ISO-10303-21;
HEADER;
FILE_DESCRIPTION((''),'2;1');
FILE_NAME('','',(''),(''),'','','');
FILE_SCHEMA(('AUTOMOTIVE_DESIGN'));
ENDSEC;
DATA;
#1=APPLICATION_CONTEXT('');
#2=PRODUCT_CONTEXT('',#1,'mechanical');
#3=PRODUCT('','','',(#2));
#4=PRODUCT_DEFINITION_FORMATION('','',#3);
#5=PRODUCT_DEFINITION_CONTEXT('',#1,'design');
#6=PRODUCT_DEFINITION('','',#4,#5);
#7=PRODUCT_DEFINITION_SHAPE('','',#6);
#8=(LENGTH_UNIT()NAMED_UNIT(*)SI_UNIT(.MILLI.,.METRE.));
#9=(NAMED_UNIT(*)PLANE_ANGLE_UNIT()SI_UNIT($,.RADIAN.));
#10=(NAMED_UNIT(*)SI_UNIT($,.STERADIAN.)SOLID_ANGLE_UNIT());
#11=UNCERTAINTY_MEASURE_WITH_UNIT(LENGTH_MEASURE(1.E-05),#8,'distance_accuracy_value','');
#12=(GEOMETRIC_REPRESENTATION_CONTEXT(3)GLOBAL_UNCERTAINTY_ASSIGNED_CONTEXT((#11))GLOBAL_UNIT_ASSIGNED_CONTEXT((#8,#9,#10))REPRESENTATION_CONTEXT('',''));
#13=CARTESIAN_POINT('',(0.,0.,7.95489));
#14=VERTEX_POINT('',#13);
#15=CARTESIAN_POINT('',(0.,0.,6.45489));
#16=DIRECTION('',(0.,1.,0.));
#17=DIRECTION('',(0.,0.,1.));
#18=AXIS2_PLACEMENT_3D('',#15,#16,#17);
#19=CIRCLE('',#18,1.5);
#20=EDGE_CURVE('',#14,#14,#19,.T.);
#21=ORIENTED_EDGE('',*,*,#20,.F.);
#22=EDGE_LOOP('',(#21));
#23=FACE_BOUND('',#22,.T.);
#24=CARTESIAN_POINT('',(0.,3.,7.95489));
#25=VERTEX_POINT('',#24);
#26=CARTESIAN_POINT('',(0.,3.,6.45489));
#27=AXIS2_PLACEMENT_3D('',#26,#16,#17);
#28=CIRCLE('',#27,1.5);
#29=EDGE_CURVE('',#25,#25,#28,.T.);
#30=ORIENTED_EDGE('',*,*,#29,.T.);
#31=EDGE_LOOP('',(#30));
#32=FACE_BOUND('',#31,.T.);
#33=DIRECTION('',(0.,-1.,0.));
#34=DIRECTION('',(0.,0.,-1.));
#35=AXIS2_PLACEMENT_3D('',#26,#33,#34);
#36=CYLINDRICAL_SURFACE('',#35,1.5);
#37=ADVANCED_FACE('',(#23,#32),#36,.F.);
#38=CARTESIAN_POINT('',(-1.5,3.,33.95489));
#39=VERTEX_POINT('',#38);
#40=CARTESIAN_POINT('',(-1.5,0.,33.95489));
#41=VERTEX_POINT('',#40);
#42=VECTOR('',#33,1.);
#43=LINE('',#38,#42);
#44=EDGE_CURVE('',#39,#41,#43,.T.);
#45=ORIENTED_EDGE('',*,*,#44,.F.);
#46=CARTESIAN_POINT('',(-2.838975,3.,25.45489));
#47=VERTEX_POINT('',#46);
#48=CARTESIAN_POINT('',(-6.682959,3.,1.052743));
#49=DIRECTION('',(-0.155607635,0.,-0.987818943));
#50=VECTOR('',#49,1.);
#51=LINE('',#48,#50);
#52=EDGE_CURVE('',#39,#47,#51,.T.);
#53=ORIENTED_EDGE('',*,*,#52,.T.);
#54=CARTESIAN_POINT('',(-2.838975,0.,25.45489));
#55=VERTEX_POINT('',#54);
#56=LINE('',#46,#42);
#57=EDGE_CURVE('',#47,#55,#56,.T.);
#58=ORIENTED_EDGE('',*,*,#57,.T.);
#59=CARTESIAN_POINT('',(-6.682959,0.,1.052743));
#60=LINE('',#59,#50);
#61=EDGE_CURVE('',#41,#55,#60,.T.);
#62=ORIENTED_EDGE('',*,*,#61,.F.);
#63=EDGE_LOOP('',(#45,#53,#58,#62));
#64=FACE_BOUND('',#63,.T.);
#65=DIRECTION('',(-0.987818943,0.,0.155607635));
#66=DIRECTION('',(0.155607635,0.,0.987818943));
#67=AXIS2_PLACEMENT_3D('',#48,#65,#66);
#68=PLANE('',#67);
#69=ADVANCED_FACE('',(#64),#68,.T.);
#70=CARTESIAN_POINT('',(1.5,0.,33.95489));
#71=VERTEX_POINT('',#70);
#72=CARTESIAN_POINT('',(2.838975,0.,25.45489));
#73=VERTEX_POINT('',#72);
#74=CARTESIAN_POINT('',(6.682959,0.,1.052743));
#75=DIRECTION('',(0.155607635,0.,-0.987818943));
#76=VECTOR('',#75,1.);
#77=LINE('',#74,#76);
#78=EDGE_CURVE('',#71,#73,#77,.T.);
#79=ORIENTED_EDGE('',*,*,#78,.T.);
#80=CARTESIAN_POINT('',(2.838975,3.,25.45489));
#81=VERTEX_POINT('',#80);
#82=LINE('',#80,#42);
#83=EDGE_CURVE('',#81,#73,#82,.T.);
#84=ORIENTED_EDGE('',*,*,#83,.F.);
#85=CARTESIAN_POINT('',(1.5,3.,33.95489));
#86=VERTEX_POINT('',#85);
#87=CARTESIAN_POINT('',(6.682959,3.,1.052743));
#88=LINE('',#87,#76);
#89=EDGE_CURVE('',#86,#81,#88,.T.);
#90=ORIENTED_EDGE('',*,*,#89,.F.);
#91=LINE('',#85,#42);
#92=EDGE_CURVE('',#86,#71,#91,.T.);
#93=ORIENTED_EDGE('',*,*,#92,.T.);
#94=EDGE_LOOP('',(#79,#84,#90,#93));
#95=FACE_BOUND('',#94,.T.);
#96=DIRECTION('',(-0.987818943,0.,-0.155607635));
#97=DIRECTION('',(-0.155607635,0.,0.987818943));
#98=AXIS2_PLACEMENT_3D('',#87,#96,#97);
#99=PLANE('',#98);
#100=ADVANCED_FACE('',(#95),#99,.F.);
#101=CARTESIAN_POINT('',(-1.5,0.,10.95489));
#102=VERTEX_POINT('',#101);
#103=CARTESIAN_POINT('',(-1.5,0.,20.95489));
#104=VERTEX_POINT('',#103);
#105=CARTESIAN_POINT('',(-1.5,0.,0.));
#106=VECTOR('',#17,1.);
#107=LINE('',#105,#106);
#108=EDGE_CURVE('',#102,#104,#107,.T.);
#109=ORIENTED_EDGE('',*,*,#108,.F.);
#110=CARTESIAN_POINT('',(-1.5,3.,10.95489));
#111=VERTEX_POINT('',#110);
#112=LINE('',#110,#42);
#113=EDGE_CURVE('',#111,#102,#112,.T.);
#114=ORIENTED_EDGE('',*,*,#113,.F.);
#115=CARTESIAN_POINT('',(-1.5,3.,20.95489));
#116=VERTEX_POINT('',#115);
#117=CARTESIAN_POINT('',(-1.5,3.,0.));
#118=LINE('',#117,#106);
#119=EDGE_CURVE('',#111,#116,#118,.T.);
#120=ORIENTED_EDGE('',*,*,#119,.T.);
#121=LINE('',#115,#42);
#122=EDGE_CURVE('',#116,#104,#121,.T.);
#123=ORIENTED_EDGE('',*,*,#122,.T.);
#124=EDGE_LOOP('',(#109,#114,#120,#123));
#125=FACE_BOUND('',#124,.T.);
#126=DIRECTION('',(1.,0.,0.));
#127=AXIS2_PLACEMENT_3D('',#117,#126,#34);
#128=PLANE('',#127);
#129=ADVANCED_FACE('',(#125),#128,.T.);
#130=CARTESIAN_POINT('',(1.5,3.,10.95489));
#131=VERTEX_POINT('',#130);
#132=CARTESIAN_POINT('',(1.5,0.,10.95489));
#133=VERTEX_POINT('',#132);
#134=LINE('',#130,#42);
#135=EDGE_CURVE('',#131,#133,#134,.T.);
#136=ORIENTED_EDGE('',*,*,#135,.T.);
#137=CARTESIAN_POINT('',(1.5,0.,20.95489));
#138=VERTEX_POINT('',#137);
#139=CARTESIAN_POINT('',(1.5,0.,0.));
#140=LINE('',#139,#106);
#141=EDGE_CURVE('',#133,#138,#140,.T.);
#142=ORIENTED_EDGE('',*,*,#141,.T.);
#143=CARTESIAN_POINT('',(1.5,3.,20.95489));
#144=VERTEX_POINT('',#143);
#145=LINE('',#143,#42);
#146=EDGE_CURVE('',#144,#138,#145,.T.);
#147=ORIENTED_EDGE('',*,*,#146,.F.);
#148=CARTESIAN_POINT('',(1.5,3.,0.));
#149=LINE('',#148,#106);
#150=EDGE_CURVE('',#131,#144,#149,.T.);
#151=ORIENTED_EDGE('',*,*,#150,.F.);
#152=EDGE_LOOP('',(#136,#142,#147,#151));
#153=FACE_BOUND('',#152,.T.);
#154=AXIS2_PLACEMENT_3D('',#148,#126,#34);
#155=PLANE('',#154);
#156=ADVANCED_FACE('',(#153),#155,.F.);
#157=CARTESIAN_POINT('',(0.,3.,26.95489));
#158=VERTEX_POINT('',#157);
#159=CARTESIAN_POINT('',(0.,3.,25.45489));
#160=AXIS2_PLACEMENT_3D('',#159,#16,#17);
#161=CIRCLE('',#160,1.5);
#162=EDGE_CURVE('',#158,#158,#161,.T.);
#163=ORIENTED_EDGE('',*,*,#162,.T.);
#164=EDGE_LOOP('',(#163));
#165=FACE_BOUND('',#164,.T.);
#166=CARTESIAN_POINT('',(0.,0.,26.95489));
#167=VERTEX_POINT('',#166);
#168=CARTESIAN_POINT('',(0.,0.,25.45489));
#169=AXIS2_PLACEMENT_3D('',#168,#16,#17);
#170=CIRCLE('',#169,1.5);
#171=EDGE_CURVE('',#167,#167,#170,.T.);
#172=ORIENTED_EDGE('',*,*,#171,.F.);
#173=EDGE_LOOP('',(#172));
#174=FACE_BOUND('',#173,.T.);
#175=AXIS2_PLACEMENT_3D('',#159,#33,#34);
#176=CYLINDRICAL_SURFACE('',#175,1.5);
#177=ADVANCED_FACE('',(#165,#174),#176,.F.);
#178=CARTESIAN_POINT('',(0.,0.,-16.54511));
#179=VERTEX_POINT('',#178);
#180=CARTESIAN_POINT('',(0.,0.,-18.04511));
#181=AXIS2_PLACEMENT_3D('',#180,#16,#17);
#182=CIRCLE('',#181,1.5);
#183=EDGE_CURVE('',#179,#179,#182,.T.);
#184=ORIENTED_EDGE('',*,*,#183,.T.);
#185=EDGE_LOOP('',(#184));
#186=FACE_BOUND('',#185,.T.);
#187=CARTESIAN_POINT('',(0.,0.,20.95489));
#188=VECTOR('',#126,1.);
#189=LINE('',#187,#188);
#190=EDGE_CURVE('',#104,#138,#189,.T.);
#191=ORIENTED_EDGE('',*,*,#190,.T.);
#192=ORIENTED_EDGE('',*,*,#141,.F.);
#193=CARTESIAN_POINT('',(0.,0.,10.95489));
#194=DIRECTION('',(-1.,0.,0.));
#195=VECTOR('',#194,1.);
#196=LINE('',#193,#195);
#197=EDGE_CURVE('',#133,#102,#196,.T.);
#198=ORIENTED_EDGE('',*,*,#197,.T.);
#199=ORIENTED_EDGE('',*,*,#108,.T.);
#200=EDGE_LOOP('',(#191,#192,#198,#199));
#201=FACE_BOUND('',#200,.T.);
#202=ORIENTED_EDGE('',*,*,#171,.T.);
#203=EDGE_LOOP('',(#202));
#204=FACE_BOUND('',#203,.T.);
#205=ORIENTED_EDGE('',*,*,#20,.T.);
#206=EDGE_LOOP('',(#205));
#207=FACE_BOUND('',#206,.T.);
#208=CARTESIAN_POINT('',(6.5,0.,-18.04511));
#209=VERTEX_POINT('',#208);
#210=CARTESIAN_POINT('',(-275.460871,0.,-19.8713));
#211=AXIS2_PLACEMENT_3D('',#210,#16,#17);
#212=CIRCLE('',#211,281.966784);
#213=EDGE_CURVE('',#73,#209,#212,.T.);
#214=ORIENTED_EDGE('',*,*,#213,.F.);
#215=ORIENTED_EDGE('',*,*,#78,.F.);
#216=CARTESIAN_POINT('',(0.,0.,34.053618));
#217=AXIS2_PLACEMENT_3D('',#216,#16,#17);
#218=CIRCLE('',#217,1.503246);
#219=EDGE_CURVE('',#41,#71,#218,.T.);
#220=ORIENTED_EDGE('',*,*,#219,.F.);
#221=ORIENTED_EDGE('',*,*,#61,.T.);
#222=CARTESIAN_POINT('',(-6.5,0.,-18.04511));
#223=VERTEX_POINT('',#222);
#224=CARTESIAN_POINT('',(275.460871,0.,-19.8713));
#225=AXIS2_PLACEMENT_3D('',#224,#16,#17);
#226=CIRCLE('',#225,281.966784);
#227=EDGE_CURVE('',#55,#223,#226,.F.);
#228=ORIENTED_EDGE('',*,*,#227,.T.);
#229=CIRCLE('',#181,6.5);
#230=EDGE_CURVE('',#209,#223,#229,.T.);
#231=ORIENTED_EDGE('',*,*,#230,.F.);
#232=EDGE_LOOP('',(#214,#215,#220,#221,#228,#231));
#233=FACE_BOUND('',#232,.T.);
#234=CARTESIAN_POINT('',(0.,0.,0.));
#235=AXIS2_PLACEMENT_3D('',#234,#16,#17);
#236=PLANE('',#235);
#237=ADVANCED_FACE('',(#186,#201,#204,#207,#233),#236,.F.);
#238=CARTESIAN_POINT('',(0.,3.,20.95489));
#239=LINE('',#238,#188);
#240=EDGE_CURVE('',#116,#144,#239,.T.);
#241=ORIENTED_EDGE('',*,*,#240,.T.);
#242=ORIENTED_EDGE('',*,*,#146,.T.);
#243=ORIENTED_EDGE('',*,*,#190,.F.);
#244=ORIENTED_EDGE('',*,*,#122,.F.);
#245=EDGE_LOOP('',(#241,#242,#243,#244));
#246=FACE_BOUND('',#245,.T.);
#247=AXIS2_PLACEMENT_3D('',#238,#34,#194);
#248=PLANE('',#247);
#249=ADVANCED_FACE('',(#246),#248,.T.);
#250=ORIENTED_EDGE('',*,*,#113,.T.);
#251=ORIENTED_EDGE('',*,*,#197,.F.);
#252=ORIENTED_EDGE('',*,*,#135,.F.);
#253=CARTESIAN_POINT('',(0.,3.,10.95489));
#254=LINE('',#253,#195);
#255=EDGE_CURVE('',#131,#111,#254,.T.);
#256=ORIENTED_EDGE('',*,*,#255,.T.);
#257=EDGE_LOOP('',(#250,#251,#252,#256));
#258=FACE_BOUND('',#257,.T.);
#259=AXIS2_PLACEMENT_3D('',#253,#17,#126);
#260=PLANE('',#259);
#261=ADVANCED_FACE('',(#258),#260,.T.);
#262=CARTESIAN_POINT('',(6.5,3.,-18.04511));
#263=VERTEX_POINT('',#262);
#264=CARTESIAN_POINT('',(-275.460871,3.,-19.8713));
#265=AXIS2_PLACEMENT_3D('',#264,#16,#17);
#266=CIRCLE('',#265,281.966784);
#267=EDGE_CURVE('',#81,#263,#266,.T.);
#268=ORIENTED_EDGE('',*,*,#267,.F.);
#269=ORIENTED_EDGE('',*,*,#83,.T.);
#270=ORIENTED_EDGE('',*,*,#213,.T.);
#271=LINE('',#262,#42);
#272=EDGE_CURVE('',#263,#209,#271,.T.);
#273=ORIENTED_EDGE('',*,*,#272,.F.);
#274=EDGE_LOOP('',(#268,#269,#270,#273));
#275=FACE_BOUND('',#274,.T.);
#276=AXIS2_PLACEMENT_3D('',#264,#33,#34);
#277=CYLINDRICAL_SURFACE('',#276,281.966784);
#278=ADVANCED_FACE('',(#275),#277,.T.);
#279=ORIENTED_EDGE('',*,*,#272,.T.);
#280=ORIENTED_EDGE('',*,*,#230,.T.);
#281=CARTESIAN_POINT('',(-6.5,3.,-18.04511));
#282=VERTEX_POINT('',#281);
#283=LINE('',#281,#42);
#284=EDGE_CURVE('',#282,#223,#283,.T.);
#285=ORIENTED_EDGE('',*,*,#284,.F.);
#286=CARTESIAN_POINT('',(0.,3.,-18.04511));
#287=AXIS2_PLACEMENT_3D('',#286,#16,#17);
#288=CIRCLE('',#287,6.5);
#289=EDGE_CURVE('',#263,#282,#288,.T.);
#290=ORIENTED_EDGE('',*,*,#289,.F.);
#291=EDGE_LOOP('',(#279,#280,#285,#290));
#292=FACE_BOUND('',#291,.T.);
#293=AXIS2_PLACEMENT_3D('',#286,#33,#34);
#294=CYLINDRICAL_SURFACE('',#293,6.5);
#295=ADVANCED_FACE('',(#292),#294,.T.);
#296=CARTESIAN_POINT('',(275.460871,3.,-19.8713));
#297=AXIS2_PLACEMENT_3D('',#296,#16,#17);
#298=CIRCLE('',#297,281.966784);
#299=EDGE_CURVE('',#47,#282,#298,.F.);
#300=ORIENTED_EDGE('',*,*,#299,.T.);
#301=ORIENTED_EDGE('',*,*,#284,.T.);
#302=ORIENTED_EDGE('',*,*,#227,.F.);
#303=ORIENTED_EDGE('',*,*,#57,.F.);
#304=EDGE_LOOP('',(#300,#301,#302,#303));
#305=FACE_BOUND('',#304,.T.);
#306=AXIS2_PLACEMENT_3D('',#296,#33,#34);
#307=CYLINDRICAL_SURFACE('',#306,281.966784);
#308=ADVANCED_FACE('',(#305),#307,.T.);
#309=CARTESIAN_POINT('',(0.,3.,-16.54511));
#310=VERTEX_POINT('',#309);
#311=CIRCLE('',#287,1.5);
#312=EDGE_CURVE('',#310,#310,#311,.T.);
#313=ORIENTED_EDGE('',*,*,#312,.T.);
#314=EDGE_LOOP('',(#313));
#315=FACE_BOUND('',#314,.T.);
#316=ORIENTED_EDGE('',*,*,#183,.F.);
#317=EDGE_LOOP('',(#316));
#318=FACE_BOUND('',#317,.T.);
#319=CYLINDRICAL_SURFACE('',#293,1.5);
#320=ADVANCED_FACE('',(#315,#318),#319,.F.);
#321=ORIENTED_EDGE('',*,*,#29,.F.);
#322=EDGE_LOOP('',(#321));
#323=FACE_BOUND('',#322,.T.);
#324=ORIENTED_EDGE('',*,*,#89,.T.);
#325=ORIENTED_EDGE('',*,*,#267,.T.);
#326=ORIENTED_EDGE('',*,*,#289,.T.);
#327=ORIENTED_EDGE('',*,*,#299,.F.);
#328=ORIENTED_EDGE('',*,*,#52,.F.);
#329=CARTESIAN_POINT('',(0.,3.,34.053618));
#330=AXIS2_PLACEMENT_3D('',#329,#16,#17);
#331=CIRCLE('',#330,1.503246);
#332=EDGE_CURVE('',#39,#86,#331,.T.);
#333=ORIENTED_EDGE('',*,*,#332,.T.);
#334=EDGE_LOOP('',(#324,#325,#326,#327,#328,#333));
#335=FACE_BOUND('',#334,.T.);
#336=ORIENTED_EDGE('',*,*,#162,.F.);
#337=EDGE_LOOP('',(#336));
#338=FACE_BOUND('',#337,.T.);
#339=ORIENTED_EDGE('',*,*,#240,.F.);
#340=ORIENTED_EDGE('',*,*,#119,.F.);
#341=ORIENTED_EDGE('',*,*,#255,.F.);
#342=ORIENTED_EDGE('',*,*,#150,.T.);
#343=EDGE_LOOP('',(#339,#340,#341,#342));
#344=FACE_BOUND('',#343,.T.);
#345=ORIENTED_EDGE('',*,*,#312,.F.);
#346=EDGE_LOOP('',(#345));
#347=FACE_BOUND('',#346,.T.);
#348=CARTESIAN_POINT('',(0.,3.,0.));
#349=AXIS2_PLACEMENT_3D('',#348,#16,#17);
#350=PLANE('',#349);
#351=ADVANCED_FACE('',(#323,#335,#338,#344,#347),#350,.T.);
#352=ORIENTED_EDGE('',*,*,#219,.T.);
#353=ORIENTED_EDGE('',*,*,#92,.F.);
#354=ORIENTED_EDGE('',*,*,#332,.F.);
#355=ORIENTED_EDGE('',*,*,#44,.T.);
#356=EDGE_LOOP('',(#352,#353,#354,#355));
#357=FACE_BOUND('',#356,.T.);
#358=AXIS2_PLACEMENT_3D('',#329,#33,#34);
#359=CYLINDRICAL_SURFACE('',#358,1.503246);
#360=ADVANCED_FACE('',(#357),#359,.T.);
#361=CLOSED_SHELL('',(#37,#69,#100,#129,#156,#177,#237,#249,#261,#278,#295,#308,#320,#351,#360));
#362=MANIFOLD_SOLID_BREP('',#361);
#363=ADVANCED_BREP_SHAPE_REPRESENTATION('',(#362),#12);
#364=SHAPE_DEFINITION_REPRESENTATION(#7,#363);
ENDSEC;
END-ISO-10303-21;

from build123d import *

# Parameters (mm, degrees)
ESBO_O1_R                = 1.5
RESSALTO_EXTRUS_O1_DEPTH = 3


with BuildPart() as part:
    # Esboço1 → Ressalto-extrusão1 (new body)
    with BuildSketch(Plane(origin=(0, 0, 0), x_dir=(1, 0, 0), z_dir=(0, 1, 0))):
        with BuildLine():
            Line((-2.838975028, -25.45488959), (-1.5, -33.95488959))
            ThreePointArc((-1.5, -33.95488959), (0, -35.556863977), (1.5, -33.95488959))
            Line((1.5, -33.95488959), (2.838975028, -25.45488959))
            ThreePointArc((2.838975028, -25.45488959), (5.508963035, -3.818784756), (6.499428658, 17.958929684))
            ThreePointArc((6.499428658, 17.958929684), (6.499717622, 18.002020025), (6.5, 18.04511041))
            ThreePointArc((6.5, 18.04511041), (0, 24.54511041), (-6.5, 18.04511041))
            ThreePointArc((-6.5, 18.04511041), (-6.499717622, 18.002020025), (-6.499428658, 17.958929683))
            ThreePointArc((-6.499428658, 17.958929683), (-5.508963035, -3.818784756), (-2.838975028, -25.45488959))
        make_face()
        with Locations(Location((0, -25.45488959, 0), (0, 0, 270))):
            Circle(ESBO_O1_R, mode=Mode.SUBTRACT)
        Polygon((-1.5, -10.95488959), (0, -10.95488959), (1.5, -10.95488959), (1.5, -20.95488959), (0, -20.95488959), (-1.5, -20.95488959), align=None, mode=Mode.SUBTRACT)
        with Locations(Location((0, -6.45488959, 0), (0, 0, 270))):
            Circle(ESBO_O1_R, mode=Mode.SUBTRACT)
        with Locations(Location((0, 18.04511041, 0), (0, 0, 270))):
            Circle(ESBO_O1_R, mode=Mode.SUBTRACT)
    extrude(amount=RESSALTO_EXTRUS_O1_DEPTH)


solid = part.part
